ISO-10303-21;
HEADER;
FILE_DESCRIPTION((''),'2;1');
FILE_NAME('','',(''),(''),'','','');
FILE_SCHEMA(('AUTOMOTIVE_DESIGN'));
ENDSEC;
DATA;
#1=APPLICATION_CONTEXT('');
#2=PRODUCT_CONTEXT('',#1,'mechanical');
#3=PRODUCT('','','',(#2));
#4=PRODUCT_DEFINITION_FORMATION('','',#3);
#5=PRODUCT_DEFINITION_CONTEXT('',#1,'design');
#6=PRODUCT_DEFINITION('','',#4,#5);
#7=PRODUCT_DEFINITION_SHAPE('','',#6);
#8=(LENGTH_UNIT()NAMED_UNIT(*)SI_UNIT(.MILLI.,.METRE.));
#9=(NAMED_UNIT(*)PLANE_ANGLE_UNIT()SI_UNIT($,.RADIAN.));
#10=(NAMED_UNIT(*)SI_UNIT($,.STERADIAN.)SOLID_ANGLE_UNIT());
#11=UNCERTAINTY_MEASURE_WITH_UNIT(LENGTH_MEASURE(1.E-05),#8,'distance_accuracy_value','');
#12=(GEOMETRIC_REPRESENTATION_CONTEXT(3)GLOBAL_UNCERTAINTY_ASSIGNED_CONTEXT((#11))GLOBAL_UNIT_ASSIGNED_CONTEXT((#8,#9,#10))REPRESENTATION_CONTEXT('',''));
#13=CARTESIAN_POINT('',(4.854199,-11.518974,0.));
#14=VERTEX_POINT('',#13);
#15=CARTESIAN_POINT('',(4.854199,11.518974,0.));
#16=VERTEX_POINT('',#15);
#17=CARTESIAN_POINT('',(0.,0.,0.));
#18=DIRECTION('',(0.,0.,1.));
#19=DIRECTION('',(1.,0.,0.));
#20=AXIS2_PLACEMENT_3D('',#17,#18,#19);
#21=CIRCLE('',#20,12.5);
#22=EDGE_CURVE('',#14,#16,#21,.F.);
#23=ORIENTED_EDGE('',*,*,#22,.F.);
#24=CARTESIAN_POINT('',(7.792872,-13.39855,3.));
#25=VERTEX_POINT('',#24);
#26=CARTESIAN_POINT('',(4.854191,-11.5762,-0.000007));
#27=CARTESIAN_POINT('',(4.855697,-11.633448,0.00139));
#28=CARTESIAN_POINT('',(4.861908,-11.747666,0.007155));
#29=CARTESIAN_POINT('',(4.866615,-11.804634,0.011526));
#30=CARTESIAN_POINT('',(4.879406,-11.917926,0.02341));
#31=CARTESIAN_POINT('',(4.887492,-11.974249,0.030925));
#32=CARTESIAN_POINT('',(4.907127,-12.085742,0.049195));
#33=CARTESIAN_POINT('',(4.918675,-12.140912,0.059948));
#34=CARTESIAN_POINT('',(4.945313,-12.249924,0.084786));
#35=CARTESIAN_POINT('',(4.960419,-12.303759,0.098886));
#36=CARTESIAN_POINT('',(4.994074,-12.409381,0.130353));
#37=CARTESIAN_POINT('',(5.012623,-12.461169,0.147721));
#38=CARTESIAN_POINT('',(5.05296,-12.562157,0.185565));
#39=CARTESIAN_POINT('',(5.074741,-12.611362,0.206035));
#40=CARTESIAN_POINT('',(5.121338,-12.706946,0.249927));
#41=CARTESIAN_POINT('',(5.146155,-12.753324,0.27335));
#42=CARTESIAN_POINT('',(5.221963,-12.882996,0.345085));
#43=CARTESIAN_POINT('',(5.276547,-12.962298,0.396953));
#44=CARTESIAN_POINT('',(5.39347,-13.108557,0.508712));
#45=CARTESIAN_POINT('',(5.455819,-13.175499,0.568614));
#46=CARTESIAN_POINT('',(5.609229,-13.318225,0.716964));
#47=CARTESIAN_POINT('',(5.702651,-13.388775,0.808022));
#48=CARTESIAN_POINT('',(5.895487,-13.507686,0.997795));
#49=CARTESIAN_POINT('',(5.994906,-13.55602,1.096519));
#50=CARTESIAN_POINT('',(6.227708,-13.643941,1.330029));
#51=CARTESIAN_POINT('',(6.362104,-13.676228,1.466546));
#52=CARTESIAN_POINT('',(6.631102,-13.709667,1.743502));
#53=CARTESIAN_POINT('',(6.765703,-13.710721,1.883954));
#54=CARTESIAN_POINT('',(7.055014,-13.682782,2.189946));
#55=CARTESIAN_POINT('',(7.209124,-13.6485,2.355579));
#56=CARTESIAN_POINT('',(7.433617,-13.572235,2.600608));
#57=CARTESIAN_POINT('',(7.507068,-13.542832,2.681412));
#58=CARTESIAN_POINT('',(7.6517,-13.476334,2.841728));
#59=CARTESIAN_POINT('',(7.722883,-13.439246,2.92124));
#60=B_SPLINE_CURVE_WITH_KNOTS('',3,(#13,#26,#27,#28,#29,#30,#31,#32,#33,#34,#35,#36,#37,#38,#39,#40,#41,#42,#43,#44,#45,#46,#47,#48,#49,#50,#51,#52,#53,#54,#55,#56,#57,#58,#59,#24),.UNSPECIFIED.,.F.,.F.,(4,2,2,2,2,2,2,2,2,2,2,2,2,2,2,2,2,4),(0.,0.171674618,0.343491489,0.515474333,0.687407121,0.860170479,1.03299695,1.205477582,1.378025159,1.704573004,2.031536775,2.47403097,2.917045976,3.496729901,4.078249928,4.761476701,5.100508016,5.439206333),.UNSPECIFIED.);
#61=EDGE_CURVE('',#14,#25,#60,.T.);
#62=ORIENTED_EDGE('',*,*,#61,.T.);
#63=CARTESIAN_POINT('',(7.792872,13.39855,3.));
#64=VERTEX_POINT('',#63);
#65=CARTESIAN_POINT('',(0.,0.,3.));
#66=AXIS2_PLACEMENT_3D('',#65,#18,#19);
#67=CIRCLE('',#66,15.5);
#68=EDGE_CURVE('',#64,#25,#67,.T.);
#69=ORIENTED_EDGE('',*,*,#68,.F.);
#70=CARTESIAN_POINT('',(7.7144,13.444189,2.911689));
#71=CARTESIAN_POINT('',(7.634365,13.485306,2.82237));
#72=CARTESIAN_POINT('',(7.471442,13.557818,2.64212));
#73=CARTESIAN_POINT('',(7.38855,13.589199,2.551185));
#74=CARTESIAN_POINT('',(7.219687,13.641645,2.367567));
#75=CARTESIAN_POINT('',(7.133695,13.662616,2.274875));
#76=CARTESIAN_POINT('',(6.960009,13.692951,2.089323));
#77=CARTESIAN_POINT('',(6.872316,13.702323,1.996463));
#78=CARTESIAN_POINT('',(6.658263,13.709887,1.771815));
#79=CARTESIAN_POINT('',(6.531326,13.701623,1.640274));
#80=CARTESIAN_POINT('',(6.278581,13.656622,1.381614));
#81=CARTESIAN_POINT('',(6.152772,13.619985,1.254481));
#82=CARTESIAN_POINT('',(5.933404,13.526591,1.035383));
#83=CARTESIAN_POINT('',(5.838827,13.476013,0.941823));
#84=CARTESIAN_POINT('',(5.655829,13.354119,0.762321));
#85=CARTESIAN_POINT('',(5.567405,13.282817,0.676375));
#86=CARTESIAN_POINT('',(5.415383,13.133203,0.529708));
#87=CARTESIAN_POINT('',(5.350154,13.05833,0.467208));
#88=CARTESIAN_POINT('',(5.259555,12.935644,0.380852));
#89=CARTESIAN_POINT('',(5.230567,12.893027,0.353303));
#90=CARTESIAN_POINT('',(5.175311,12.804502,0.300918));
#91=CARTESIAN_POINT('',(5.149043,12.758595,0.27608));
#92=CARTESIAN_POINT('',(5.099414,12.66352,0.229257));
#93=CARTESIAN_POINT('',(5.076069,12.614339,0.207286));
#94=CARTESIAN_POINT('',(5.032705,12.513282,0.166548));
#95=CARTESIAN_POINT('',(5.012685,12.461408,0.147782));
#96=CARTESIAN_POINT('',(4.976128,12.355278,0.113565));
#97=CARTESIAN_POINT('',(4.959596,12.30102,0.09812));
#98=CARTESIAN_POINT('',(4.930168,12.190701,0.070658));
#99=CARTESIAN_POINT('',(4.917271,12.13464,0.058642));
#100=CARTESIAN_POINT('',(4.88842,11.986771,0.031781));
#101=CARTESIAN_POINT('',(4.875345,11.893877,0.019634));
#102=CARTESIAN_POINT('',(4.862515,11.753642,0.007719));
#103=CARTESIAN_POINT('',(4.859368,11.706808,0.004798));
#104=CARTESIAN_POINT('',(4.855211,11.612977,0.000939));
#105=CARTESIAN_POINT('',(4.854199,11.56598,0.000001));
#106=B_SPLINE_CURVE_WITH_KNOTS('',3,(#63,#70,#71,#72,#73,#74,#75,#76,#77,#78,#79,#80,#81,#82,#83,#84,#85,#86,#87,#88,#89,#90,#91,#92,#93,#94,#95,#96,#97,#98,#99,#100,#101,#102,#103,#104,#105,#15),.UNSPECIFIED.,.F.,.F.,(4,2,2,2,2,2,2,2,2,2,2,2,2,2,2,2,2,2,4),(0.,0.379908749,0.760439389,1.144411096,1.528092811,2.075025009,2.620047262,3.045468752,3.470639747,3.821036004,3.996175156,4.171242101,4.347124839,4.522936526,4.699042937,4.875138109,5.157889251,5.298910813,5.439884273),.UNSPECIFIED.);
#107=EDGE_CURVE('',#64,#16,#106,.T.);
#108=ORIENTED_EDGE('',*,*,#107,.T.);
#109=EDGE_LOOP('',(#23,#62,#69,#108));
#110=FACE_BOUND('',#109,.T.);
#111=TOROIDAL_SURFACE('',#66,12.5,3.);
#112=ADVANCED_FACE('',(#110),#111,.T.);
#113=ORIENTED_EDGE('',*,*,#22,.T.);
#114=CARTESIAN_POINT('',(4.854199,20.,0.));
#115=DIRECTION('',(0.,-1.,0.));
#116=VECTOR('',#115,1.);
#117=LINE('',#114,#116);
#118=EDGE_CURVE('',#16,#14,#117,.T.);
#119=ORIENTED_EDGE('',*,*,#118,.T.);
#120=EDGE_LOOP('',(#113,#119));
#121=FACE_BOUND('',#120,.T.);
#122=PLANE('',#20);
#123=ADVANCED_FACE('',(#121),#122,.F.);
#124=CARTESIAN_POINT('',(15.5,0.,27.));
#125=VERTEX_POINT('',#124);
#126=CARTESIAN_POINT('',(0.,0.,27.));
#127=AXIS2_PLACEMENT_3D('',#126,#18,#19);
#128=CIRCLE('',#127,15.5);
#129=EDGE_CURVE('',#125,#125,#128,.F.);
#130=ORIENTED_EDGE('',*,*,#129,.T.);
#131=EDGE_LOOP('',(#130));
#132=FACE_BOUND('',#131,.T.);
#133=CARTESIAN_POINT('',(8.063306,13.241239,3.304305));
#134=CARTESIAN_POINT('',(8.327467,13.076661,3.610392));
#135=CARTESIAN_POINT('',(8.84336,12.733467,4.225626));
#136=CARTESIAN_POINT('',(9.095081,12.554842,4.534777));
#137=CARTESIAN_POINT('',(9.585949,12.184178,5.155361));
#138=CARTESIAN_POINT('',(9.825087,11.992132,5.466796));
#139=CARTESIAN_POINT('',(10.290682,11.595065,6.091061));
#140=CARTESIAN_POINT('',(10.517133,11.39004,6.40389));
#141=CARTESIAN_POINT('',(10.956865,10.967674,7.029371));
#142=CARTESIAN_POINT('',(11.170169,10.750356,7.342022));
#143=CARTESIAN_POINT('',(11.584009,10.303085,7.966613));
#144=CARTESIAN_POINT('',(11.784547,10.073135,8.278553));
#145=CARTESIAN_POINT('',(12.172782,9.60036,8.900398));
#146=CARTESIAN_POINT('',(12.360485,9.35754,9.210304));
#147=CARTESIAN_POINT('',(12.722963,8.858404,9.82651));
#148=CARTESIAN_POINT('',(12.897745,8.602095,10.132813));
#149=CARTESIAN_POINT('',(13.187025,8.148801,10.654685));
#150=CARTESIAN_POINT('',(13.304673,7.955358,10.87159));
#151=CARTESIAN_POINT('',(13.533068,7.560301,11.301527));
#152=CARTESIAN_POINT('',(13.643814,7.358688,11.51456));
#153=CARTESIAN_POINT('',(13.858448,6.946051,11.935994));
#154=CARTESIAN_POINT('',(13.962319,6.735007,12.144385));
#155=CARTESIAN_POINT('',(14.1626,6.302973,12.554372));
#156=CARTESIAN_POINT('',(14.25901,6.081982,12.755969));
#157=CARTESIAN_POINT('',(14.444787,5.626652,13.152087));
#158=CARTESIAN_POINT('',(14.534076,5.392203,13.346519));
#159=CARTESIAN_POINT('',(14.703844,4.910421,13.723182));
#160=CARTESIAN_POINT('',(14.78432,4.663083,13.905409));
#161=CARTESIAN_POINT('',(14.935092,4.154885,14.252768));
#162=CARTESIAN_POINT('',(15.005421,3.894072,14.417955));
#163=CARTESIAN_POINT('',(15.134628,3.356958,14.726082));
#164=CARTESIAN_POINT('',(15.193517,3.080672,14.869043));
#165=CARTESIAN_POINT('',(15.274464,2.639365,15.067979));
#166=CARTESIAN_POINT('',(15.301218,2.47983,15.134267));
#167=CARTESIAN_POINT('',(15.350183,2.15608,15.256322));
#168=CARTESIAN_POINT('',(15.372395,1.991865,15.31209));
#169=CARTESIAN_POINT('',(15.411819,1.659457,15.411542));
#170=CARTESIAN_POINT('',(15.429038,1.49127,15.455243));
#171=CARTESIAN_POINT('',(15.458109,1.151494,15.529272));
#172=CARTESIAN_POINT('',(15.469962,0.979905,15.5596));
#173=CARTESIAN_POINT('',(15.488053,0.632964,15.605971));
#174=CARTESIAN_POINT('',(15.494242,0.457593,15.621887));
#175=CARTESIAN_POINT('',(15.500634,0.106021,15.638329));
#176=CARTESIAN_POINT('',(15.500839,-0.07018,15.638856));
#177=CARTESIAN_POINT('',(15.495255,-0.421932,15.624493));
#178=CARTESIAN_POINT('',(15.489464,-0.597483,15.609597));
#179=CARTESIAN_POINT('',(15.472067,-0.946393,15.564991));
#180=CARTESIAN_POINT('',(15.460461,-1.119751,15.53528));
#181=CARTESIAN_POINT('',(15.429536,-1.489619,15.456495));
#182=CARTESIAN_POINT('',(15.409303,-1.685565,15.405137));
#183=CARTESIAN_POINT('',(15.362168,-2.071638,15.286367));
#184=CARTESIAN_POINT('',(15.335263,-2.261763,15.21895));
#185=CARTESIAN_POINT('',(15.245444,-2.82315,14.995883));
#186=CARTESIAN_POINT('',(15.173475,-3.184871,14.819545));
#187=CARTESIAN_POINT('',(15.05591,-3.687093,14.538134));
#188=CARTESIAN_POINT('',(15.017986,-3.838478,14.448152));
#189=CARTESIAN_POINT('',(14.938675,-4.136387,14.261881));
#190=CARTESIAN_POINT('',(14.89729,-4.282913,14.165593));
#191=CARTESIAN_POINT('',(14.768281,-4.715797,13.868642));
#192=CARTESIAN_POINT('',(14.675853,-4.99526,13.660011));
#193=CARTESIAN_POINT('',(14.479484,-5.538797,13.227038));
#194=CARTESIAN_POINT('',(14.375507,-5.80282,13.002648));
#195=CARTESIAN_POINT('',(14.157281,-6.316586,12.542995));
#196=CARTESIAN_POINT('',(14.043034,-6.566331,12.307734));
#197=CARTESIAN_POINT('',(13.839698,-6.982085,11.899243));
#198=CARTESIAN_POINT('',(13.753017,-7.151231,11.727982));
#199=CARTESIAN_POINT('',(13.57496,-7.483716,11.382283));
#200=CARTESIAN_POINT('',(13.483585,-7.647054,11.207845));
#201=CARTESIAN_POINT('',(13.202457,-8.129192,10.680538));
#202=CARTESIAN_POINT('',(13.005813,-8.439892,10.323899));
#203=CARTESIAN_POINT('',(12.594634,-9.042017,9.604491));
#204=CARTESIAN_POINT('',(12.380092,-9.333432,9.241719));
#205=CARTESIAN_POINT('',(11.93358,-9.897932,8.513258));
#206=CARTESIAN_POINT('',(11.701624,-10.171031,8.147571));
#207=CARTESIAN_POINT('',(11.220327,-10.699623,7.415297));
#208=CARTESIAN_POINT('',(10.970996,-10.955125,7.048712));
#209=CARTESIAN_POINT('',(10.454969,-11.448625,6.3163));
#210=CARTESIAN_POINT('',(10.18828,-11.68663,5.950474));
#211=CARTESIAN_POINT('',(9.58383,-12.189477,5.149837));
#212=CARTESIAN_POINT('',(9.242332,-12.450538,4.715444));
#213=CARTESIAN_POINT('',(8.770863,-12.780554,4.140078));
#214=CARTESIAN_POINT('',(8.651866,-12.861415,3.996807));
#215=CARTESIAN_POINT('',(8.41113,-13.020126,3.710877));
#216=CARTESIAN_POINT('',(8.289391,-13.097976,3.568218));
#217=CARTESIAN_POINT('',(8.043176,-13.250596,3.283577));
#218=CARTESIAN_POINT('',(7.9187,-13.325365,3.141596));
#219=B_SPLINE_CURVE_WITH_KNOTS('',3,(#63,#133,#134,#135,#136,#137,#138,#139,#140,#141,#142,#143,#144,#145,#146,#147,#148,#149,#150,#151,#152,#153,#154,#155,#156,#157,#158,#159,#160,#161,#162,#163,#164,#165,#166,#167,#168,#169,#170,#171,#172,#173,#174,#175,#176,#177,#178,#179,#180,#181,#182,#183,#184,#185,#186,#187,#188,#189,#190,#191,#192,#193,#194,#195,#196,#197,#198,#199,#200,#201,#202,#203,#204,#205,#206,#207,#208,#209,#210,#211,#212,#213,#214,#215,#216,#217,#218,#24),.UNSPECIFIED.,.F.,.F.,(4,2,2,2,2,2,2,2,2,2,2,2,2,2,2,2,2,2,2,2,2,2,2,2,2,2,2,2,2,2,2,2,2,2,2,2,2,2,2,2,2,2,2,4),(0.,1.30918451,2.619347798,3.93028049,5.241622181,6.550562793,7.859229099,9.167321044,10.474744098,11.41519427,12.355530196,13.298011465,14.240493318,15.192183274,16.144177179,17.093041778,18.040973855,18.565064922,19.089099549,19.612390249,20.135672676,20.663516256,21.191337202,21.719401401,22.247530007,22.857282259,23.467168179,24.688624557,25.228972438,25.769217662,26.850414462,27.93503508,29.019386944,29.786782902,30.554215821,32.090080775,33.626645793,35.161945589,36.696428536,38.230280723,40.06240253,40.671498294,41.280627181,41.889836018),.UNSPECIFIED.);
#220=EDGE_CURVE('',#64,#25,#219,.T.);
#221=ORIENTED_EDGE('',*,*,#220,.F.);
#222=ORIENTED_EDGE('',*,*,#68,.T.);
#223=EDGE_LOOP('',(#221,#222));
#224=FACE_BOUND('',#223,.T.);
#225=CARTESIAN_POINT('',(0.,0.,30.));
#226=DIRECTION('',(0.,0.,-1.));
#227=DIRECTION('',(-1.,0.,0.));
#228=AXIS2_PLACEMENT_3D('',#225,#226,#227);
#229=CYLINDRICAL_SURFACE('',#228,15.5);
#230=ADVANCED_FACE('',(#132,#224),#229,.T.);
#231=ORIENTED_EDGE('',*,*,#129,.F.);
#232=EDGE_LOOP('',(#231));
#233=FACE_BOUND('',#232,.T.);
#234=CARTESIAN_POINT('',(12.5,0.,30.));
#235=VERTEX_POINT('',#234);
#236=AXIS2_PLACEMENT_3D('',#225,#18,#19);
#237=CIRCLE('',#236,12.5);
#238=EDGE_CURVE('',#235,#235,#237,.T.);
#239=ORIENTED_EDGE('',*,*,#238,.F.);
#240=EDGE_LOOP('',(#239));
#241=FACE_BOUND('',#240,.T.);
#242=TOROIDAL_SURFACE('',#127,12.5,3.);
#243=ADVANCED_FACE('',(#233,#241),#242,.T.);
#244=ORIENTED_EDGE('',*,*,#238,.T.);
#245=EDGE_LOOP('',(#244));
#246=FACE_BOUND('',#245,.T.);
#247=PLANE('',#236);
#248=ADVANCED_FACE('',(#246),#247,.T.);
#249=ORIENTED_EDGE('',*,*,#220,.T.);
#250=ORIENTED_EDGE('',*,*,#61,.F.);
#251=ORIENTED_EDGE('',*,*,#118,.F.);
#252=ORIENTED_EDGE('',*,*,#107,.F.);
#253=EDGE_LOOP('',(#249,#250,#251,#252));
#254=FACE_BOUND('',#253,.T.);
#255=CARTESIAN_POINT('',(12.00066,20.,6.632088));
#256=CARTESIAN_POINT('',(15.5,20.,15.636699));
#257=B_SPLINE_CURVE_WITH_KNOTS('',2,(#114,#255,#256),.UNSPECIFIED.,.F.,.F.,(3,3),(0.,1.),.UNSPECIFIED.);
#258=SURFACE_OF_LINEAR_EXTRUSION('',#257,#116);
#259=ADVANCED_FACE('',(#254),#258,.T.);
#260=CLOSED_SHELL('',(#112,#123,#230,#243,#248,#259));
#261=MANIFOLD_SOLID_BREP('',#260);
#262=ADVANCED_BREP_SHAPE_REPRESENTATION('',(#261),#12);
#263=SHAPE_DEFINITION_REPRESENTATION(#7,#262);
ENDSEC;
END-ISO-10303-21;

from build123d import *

# Parameters (mm, degrees)
SKETCH2_R               = 15.5
BOSS_EXTRUDE1_DEPTH     = 30
FILLET1_R               = 3
CUT_EXTRUDE1_DEPTH      = 20
CUT_EXTRUDE1_DEPTH_BACK = 20


with BuildPart() as part:
    # Sketch2 → Boss-Extrude1 (new body)
    with BuildSketch(Plane.XY):
        Circle(SKETCH2_R)
    extrude(amount=BOSS_EXTRUDE1_DEPTH)

    # Fillet1
    fillet1_edges = [part.edges().sort_by_distance(p)[0] for p in [
        (-15.5, 0, 0),
        (-15.5, 0, 30),
    ]]
    fillet(fillet1_edges, radius=FILLET1_R)

    # Sketch3 → Cut-Extrude1 (cut, two sides: drawn at the far end of the back side and taken through both)
    with BuildSketch(Plane(origin=(0, 0, 0), x_dir=(1, 0, 0), z_dir=(0, 1, 0)).offset(-CUT_EXTRUDE1_DEPTH_BACK)):
        with BuildLine():
            Line((4.854198749, 0), (19.206398093, 0))
            Line((19.206398093, 0), (19.206398093, -15.636699312))
            Line((19.206398093, -15.636699312), (15.5, -15.636699312))
            add(Edge.make_bspline(
                [(4.854198749, 0), (12.000659595, -6.632087606), (15.5, -15.636699312)],
                knots=[0, 0, 0, 1, 1, 1], degree=2))
        make_face()
    extrude(amount=CUT_EXTRUDE1_DEPTH + CUT_EXTRUDE1_DEPTH_BACK, mode=Mode.SUBTRACT)


solid = part.part
